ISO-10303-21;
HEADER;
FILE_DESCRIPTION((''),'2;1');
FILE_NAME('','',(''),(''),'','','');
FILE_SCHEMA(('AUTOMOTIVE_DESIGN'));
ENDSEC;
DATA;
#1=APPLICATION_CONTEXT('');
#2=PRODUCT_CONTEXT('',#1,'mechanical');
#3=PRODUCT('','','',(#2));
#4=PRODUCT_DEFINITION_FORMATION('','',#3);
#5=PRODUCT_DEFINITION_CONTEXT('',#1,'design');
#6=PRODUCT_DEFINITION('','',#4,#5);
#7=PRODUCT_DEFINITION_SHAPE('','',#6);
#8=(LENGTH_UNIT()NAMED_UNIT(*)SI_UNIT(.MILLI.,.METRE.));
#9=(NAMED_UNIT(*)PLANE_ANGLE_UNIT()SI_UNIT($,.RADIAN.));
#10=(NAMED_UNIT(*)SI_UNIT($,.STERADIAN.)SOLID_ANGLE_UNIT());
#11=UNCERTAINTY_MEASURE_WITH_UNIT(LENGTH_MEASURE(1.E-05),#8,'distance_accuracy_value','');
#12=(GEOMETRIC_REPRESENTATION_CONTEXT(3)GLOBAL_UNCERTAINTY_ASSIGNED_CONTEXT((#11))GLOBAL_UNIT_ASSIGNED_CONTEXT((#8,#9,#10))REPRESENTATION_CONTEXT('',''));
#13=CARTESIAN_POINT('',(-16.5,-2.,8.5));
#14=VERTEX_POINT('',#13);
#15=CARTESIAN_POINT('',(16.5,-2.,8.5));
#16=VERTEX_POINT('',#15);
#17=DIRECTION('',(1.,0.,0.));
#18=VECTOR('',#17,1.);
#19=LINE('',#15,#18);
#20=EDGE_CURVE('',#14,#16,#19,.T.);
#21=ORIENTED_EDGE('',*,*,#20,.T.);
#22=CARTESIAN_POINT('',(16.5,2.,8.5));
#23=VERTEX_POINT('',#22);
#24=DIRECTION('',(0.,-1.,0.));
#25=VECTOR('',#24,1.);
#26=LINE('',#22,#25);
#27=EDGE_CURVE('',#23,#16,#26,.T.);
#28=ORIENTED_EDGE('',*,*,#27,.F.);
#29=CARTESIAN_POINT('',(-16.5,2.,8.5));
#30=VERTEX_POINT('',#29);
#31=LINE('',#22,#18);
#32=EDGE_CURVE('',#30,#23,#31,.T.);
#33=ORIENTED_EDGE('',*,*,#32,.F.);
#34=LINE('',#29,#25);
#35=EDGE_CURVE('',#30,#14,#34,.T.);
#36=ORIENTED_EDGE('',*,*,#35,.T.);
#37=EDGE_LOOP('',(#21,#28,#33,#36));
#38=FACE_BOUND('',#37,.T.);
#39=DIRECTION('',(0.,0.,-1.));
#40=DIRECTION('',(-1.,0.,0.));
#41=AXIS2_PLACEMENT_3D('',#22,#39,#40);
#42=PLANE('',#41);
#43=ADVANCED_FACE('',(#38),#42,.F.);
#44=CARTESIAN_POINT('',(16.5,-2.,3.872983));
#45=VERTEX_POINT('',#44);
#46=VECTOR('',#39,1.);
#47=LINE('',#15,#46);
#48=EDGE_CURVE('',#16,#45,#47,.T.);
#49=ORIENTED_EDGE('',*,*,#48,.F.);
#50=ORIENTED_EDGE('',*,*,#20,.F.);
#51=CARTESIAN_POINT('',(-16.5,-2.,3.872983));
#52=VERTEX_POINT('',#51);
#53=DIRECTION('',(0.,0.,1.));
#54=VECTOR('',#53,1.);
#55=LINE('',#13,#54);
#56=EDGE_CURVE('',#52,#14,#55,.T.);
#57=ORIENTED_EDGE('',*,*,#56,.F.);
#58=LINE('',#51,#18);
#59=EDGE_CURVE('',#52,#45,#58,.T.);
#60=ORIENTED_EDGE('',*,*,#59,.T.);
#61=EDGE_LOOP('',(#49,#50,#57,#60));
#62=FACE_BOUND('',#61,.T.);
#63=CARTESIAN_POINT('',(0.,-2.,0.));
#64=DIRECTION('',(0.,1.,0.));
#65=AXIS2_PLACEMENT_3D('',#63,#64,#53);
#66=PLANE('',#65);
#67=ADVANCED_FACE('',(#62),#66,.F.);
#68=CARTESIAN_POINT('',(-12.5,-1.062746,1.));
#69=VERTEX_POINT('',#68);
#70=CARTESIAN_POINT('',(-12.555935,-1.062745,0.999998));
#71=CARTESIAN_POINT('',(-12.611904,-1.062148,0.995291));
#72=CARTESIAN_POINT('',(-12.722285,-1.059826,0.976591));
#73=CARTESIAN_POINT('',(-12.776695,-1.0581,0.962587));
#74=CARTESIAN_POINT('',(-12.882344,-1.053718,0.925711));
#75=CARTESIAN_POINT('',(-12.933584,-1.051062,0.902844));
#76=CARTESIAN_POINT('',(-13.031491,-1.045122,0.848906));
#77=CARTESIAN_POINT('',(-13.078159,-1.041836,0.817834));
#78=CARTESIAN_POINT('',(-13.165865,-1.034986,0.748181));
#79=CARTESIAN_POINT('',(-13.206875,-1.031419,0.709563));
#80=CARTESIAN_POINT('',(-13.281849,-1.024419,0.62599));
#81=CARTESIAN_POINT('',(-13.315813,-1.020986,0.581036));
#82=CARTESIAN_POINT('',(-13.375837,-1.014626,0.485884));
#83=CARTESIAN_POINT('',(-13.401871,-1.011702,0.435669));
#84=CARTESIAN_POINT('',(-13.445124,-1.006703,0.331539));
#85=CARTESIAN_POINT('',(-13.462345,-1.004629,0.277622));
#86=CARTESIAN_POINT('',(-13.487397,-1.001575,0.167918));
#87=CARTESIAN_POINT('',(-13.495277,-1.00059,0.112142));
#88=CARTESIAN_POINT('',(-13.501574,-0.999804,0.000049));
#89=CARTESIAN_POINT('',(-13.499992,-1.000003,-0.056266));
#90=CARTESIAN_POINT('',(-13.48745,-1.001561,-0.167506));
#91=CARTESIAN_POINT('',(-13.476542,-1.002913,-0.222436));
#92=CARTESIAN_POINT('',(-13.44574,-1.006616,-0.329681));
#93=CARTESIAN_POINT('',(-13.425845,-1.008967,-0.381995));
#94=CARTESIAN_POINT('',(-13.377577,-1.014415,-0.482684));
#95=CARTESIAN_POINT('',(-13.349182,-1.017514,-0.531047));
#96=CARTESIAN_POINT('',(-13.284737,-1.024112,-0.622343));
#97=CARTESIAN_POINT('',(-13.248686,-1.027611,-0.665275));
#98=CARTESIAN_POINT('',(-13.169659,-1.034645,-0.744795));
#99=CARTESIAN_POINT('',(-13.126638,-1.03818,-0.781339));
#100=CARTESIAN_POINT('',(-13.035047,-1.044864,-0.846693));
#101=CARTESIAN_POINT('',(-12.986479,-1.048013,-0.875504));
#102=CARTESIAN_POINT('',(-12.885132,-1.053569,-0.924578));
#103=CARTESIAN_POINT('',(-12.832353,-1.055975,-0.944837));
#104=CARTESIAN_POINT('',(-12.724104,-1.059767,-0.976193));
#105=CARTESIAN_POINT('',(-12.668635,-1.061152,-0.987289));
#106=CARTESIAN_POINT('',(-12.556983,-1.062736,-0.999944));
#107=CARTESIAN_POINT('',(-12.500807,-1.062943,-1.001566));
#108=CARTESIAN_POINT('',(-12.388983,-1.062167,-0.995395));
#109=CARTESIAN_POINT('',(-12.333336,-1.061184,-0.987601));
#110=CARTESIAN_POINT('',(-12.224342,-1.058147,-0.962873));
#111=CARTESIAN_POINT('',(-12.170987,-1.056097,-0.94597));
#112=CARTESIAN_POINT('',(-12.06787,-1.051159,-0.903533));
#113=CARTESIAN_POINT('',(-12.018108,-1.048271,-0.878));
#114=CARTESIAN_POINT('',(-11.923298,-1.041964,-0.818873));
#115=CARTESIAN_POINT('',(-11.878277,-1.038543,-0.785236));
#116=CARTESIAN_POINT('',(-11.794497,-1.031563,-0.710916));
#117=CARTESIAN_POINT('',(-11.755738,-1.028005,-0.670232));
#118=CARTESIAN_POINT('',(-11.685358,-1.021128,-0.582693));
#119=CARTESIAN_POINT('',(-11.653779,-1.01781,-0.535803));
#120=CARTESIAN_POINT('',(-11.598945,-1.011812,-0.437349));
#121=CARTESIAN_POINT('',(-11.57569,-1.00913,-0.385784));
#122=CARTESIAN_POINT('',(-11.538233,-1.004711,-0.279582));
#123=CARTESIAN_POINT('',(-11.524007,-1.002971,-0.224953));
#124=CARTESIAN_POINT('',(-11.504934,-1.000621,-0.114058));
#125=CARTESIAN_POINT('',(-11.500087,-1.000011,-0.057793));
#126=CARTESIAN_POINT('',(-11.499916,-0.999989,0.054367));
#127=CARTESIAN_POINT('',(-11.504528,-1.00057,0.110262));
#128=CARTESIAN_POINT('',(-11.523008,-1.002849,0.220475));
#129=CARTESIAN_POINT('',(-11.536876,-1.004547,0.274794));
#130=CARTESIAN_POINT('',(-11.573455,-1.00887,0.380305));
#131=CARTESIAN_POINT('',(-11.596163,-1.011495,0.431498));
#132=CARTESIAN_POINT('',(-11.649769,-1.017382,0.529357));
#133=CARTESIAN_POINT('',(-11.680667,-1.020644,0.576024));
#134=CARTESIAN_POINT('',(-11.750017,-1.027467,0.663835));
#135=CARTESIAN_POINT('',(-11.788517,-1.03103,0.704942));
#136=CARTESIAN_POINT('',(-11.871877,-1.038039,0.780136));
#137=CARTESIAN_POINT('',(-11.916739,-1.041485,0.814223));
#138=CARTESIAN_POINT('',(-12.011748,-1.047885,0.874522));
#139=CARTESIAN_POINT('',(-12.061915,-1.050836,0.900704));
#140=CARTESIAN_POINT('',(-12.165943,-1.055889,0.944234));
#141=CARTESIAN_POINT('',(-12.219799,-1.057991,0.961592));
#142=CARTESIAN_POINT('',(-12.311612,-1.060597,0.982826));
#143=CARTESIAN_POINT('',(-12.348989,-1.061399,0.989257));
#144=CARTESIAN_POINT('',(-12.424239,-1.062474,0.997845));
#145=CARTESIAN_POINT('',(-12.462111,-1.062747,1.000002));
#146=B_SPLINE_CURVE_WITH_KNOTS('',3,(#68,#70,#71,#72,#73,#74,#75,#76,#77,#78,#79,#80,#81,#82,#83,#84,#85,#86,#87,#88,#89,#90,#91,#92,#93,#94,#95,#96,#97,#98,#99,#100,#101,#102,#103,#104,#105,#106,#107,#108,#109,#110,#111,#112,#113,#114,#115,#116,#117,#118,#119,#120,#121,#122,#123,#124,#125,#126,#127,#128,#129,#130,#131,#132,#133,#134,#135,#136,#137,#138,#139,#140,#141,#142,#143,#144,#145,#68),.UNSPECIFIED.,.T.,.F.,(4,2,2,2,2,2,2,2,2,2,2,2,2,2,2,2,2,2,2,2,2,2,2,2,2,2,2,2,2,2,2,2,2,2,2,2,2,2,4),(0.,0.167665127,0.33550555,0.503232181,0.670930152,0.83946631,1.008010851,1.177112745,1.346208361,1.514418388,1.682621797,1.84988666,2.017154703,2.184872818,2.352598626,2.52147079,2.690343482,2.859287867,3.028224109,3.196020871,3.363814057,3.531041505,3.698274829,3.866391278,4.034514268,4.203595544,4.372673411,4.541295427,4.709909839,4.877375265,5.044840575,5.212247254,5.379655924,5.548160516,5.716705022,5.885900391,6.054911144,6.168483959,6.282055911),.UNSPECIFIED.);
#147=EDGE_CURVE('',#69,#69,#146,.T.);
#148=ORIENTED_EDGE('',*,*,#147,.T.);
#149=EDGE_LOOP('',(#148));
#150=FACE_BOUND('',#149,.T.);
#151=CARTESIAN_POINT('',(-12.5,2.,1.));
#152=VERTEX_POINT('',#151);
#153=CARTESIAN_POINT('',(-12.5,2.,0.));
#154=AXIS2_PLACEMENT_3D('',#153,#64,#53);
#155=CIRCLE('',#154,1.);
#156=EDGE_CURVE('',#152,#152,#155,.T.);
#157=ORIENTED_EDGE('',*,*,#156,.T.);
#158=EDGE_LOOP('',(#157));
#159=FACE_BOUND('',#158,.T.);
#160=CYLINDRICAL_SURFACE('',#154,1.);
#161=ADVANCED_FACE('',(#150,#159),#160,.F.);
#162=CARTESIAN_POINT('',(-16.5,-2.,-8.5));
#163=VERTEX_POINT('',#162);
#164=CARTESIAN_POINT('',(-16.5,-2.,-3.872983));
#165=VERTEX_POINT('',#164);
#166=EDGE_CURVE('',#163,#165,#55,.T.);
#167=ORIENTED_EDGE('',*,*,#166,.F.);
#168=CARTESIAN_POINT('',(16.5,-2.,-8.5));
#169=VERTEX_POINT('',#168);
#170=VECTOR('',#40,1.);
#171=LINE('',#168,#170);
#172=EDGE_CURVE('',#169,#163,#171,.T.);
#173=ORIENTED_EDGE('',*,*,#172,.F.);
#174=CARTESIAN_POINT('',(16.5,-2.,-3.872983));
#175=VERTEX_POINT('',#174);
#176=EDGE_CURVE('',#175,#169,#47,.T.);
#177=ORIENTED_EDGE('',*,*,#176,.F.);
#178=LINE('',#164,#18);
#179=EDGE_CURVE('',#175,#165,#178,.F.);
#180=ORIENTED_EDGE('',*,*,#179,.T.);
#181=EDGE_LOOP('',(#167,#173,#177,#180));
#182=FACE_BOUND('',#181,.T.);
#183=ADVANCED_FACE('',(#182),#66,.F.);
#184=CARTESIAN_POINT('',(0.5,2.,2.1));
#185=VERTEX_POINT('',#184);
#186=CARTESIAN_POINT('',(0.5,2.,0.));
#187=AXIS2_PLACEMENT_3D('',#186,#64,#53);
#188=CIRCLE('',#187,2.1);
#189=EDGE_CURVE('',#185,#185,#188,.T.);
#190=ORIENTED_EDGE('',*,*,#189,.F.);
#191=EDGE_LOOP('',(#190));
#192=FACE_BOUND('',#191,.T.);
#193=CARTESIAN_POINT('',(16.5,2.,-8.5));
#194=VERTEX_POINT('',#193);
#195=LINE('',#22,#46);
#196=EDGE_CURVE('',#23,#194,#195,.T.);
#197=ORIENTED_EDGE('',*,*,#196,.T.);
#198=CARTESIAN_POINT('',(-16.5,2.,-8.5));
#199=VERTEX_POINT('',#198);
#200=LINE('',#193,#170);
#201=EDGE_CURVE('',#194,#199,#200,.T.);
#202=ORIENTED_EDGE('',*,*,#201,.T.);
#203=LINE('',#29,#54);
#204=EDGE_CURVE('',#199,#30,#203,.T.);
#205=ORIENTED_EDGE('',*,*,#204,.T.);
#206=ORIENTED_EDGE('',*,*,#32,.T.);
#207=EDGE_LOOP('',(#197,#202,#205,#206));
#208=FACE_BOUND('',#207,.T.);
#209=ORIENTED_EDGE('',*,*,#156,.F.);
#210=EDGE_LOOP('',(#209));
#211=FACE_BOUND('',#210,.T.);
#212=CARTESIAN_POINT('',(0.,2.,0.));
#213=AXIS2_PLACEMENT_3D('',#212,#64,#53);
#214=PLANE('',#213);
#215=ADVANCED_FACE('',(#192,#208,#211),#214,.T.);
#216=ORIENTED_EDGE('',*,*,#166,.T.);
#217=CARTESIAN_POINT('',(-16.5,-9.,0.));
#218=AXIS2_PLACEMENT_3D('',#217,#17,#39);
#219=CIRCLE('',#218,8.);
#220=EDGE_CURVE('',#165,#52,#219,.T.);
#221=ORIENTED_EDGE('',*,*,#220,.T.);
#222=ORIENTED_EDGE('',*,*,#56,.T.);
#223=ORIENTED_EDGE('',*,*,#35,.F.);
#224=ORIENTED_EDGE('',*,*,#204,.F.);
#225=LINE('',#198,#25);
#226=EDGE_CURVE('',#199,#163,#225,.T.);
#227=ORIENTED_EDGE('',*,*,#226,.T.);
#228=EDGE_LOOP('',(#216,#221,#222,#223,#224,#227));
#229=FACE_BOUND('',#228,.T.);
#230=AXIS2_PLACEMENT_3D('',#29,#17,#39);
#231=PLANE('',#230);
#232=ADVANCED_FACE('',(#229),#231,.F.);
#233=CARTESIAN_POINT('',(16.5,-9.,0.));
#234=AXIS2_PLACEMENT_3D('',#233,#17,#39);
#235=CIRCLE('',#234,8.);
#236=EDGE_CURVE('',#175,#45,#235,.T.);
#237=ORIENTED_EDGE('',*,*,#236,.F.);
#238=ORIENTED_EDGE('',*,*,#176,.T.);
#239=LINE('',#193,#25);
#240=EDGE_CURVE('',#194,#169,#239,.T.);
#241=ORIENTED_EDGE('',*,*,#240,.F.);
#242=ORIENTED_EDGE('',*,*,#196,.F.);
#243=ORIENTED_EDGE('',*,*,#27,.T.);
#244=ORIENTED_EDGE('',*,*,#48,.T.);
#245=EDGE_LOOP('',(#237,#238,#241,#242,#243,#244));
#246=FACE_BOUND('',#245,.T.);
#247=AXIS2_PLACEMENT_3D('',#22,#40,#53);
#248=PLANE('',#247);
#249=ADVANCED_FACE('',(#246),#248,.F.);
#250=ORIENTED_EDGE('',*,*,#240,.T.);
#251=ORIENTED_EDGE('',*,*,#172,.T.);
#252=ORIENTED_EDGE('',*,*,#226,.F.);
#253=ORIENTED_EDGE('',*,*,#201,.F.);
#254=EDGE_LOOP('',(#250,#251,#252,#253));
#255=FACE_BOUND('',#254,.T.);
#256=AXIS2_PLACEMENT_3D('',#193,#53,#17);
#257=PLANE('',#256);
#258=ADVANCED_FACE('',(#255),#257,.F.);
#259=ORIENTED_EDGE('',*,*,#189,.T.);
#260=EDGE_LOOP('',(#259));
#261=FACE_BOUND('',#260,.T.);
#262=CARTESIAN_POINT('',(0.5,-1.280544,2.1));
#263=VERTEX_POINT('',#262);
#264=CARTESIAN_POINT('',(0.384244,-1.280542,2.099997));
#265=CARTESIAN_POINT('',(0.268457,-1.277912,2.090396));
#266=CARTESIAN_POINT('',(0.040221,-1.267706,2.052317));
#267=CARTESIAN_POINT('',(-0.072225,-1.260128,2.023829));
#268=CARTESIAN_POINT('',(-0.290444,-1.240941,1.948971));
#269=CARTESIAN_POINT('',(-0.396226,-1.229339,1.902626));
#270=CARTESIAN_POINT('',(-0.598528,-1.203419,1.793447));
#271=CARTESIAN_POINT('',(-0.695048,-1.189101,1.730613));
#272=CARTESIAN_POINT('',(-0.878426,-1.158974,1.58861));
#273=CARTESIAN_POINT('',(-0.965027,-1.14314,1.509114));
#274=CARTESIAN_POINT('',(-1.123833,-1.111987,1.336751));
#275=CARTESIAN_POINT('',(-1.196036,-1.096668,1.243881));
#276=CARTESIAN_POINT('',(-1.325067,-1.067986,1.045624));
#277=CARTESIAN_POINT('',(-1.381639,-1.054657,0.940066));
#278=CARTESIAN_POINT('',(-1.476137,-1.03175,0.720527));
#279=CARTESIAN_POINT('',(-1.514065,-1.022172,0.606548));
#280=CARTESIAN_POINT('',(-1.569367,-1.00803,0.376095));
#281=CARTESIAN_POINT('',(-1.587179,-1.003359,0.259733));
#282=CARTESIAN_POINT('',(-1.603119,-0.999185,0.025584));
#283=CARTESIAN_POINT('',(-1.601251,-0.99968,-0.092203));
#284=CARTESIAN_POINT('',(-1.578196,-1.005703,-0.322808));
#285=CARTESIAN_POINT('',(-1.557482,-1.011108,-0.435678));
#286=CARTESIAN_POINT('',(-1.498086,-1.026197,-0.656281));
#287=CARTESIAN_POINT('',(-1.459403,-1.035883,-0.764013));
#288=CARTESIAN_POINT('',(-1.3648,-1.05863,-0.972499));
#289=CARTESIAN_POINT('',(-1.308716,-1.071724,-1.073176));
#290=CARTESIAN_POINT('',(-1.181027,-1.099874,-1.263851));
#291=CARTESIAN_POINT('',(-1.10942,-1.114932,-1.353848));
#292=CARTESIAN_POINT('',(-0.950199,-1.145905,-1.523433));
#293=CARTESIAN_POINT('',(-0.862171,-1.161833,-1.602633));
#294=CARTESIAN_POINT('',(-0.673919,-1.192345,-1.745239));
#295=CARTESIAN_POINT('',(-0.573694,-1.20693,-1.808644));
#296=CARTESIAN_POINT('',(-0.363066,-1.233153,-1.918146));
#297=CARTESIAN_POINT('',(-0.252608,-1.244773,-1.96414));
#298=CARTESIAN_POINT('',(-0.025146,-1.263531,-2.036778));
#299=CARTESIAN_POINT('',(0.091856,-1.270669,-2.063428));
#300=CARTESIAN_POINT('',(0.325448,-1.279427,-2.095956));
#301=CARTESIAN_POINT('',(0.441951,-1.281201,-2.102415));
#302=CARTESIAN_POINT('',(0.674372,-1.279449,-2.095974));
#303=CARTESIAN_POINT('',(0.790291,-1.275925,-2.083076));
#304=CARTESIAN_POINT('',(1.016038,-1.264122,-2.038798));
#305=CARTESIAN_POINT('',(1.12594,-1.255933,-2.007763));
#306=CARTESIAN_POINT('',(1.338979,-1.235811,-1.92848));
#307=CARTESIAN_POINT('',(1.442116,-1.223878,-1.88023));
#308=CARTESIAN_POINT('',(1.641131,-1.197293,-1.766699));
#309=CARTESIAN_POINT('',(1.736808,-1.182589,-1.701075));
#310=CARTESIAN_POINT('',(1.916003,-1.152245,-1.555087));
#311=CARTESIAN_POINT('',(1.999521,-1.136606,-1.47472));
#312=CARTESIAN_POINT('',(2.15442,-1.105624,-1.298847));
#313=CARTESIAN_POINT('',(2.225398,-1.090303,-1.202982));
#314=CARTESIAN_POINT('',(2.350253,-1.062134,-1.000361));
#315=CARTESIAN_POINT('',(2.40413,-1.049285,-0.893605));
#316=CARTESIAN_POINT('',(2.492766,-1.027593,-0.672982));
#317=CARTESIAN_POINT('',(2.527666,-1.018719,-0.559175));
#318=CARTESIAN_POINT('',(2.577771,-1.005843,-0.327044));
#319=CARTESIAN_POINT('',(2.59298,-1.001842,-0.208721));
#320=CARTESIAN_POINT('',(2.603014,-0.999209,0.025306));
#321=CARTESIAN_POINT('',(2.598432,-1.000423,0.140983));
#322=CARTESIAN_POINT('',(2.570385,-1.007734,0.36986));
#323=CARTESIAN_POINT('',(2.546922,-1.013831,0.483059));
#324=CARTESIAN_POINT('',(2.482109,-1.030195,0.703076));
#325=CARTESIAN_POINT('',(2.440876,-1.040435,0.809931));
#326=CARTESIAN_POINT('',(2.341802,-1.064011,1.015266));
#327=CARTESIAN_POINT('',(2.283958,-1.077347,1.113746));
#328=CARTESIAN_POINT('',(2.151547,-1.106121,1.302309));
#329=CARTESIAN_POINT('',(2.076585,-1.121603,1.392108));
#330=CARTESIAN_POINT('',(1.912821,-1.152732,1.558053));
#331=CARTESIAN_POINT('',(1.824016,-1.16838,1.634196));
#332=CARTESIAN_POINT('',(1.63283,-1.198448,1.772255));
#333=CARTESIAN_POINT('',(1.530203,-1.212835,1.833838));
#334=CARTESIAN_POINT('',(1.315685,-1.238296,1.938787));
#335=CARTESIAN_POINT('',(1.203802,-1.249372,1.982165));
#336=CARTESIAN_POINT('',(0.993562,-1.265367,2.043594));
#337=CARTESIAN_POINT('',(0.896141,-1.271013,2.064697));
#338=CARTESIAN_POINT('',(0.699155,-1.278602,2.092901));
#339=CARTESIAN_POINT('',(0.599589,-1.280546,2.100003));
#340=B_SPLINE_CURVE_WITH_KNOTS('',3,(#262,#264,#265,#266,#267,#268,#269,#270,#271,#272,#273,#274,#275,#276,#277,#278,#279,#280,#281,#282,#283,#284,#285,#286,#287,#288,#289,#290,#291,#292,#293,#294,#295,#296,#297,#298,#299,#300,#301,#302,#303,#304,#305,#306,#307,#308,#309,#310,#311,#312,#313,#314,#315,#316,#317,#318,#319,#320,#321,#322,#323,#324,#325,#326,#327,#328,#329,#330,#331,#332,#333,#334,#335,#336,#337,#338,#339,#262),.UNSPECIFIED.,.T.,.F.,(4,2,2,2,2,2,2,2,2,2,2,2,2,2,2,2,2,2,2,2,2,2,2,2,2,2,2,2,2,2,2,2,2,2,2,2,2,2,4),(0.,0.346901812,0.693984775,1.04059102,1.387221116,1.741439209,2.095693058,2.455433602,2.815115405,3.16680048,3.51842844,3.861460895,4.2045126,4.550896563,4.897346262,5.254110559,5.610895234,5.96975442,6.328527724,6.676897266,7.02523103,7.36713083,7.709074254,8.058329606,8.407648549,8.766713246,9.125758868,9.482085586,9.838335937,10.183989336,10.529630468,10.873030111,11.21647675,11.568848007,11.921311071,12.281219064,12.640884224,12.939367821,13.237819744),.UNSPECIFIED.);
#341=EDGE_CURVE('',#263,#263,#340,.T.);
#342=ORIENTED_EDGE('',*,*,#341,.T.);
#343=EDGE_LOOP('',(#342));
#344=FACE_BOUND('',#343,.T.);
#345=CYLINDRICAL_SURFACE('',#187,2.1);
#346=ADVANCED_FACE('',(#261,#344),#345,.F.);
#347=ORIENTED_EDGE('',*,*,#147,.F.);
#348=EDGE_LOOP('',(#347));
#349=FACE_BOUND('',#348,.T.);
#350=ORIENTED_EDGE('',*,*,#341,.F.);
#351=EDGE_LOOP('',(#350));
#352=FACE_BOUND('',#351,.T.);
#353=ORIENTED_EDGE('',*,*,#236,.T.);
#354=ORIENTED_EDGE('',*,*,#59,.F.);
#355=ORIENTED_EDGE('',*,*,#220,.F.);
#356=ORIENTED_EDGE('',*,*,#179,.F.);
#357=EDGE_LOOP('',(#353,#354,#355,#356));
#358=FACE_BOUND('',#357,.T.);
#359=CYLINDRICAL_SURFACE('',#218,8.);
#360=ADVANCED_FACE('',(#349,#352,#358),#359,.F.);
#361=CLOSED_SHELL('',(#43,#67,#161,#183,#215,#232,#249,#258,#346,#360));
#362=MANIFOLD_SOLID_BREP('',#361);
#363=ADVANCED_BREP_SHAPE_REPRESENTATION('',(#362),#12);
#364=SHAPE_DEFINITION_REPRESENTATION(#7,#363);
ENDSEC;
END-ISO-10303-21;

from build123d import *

# Parameters (mm, degrees)
SKETCH2_W             = 33
SKETCH2_H             = 17
BOSS_EXTRUDE1_DEPTH   = 2
M5_TAPPED_HOLE1_D     = 4.2
F_2_0MM_DOWEL_HOLE1_D = 2
SKETCH6_R             = 8
CUT_EXTRUDE1_DEPTH    = 35.135758377


with BuildPart() as part:
    # Sketch2 → Boss-Extrude1 (new, symmetric)
    with BuildSketch(Plane(origin=(0, 0, 0), x_dir=(1, 0, 0), z_dir=(0, 1, 0))):
        Rectangle(SKETCH2_W, SKETCH2_H)
    extrude(amount=BOSS_EXTRUDE1_DEPTH, both=True)

    # M5 Tapped Hole1 (through all)
    with Locations(Plane(origin=(0.5, 2, 0), x_dir=(0, 0, 1), z_dir=(0, 1, 0))):
        with Locations((0, 0)):
            Hole(M5_TAPPED_HOLE1_D / 2)

    # Ø2.0mm Dowel Hole1 (through all)
    with Locations(Plane(origin=(-12.5, 2, 0), x_dir=(0, 0, 1), z_dir=(0, 1, 0))):
        with Locations((0, 0)):
            Hole(F_2_0MM_DOWEL_HOLE1_D / 2)

    # Sketch6 → Cut-Extrude1 (cut, through all)
    with BuildSketch(Plane(origin=(16.5, 0, 0), x_dir=(0, 0, -1), z_dir=(1, 0, 0))):
        with Locations((0, -9)):
            Circle(SKETCH6_R)
    extrude(amount=-CUT_EXTRUDE1_DEPTH, mode=Mode.SUBTRACT)


solid = part.part
